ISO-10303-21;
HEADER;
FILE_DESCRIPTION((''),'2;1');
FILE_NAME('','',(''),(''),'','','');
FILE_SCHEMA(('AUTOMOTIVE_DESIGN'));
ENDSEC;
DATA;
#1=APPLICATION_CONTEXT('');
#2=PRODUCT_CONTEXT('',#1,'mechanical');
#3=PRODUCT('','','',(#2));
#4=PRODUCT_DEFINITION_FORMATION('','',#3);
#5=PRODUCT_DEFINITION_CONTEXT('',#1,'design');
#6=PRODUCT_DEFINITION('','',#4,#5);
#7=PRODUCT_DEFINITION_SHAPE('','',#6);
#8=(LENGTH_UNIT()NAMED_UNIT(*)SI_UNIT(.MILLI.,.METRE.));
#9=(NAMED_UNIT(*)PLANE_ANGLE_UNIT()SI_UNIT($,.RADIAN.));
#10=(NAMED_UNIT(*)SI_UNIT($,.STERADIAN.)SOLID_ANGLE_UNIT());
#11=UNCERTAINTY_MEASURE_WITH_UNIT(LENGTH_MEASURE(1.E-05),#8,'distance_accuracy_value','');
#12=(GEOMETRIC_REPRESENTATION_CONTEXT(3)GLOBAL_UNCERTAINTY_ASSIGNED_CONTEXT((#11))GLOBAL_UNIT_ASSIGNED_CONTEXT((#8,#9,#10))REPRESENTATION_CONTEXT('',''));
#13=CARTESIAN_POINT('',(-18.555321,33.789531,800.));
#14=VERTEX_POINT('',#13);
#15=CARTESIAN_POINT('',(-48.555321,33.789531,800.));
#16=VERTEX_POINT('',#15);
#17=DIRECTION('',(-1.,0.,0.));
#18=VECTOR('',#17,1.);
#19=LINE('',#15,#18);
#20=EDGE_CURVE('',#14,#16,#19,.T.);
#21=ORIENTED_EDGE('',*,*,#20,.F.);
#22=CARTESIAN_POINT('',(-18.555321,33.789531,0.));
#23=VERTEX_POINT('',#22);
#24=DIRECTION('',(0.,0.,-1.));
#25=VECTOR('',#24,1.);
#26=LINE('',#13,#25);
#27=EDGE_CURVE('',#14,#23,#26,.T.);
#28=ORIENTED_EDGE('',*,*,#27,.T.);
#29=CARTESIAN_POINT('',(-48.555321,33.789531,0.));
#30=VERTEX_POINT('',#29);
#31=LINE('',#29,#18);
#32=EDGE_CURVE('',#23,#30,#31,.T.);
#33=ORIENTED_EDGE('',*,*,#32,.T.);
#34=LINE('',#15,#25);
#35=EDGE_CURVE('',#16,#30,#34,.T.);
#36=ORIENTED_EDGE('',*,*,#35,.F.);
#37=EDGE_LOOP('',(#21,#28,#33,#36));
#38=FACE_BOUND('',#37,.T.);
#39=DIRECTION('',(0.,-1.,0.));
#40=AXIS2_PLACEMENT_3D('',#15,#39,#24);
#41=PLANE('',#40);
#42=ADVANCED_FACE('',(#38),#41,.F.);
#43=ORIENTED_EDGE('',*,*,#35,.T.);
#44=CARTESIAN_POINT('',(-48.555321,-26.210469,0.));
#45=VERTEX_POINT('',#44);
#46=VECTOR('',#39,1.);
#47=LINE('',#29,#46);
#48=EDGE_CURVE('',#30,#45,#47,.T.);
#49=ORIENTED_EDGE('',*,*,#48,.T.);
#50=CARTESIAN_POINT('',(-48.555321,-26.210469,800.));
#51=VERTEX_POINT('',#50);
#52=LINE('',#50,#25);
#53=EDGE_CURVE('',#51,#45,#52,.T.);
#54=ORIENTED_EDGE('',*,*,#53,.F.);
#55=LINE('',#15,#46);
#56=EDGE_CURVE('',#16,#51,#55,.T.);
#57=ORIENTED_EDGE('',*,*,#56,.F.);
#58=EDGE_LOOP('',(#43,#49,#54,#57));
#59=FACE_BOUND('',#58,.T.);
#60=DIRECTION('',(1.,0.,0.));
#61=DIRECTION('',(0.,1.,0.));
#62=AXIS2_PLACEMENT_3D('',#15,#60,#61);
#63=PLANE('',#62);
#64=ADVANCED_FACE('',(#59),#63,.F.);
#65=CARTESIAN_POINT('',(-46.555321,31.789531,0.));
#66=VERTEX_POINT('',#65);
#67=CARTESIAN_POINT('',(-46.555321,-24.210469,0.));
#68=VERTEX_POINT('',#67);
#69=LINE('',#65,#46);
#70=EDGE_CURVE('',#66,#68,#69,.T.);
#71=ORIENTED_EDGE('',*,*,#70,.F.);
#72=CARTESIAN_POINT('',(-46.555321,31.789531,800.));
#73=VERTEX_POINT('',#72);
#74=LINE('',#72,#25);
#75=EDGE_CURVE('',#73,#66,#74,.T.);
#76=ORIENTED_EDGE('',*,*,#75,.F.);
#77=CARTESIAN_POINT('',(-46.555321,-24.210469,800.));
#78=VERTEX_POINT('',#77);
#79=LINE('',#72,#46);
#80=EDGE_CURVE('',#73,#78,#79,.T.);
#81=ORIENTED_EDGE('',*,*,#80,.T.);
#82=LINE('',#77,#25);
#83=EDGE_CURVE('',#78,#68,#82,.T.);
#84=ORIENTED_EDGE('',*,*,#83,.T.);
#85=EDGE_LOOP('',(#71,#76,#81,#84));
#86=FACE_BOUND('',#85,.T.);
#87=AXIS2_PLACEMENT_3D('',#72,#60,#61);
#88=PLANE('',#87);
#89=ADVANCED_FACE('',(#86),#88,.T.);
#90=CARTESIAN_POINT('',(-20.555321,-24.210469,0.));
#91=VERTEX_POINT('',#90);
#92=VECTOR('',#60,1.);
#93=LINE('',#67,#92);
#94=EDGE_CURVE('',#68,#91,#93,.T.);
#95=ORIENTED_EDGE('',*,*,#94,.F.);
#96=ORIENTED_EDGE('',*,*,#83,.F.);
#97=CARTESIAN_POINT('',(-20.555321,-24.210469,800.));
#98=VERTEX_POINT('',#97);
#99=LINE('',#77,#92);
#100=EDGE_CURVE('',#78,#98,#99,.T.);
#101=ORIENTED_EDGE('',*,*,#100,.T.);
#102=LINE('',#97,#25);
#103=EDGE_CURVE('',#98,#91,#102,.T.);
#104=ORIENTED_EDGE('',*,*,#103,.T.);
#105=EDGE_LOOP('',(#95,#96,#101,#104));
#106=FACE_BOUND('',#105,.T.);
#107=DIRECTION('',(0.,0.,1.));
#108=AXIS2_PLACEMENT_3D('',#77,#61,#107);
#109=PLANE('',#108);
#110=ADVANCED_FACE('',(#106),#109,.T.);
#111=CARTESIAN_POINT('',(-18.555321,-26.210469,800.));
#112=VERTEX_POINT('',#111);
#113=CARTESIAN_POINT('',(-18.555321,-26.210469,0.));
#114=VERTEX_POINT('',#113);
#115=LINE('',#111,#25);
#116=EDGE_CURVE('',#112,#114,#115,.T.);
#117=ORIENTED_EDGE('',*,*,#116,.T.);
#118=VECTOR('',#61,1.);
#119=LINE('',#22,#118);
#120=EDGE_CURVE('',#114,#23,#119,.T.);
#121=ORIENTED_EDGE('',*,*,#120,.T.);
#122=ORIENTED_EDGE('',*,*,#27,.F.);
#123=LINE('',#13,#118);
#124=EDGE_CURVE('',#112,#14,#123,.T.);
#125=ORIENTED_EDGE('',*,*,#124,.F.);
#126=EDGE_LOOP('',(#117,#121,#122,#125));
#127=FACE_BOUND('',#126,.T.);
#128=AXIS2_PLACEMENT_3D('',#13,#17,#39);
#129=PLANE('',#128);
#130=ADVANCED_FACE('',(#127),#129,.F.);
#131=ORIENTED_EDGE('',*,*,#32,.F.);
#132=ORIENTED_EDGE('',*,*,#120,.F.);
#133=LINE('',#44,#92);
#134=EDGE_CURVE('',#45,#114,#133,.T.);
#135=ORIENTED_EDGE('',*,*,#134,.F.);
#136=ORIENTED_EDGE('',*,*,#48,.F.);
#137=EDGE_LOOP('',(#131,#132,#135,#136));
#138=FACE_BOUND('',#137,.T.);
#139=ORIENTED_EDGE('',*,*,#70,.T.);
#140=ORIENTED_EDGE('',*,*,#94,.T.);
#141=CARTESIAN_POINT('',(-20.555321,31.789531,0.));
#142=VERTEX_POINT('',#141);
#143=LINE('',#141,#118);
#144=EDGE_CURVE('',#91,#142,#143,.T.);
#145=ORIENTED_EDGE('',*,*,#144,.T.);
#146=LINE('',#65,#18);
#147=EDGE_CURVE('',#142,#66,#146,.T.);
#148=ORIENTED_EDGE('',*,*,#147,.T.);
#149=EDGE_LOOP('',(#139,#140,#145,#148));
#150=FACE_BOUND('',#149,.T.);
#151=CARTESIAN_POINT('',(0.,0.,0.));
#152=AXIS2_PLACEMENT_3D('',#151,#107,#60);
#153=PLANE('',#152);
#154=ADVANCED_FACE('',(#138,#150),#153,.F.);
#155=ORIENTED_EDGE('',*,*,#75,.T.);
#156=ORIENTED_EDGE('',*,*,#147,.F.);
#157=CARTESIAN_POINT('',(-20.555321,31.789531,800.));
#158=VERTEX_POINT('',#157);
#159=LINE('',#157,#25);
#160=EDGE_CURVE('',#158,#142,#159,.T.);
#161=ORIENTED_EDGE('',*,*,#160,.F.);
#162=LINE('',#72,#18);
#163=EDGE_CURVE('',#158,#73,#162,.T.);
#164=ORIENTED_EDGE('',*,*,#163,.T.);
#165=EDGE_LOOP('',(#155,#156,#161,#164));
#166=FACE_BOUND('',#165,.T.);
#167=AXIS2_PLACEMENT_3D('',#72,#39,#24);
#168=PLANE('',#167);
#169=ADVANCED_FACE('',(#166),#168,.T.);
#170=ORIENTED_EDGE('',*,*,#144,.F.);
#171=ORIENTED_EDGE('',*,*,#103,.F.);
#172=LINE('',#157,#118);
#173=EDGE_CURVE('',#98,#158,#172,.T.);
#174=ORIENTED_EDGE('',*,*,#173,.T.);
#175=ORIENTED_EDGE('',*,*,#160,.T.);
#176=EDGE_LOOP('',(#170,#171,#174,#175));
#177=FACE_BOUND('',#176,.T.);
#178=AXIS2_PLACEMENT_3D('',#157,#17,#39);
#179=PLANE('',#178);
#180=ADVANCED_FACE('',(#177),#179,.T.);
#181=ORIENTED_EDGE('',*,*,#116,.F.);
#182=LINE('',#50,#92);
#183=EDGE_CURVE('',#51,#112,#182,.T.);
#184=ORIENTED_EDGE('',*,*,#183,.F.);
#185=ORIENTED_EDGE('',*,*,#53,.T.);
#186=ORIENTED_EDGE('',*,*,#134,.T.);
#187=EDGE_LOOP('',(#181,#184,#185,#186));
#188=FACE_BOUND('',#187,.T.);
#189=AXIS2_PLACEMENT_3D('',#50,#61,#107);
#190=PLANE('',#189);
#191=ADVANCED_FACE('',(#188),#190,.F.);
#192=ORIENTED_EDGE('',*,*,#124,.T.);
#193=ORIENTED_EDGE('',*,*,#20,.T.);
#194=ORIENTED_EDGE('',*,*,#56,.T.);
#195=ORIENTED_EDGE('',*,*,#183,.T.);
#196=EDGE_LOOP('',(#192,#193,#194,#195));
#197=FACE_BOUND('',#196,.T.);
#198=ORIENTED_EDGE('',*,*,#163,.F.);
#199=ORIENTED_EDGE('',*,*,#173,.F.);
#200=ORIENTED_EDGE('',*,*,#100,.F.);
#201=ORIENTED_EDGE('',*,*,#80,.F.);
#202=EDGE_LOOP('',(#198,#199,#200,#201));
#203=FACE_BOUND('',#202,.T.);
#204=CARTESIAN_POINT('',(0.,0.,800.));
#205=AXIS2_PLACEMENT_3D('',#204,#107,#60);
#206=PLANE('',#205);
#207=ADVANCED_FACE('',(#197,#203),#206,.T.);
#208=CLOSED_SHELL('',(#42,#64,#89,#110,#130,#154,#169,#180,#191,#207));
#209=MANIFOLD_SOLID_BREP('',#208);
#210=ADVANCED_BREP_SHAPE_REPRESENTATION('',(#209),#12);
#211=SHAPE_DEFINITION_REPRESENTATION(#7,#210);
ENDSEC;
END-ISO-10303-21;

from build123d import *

# Parameters (mm, degrees)
SKETCH_1_W      = 30
SKETCH_1_H      = 60
SKETCH_1_W_2    = 26
SKETCH_1_H_2    = 56
EXTRUDE_1_DEPTH = 800


with BuildPart() as part:
    # Эскиз1 → Бобышка-Вытянуть1 (new body)
    with BuildSketch(Plane.XY):
        with Locations((-33.555321079, 3.789530779)):
            Rectangle(SKETCH_1_W, SKETCH_1_H)
        with Locations((-33.555321079, 3.789530779)):
            Rectangle(SKETCH_1_W_2, SKETCH_1_H_2, mode=Mode.SUBTRACT)
    extrude(amount=EXTRUDE_1_DEPTH)


solid = part.part
